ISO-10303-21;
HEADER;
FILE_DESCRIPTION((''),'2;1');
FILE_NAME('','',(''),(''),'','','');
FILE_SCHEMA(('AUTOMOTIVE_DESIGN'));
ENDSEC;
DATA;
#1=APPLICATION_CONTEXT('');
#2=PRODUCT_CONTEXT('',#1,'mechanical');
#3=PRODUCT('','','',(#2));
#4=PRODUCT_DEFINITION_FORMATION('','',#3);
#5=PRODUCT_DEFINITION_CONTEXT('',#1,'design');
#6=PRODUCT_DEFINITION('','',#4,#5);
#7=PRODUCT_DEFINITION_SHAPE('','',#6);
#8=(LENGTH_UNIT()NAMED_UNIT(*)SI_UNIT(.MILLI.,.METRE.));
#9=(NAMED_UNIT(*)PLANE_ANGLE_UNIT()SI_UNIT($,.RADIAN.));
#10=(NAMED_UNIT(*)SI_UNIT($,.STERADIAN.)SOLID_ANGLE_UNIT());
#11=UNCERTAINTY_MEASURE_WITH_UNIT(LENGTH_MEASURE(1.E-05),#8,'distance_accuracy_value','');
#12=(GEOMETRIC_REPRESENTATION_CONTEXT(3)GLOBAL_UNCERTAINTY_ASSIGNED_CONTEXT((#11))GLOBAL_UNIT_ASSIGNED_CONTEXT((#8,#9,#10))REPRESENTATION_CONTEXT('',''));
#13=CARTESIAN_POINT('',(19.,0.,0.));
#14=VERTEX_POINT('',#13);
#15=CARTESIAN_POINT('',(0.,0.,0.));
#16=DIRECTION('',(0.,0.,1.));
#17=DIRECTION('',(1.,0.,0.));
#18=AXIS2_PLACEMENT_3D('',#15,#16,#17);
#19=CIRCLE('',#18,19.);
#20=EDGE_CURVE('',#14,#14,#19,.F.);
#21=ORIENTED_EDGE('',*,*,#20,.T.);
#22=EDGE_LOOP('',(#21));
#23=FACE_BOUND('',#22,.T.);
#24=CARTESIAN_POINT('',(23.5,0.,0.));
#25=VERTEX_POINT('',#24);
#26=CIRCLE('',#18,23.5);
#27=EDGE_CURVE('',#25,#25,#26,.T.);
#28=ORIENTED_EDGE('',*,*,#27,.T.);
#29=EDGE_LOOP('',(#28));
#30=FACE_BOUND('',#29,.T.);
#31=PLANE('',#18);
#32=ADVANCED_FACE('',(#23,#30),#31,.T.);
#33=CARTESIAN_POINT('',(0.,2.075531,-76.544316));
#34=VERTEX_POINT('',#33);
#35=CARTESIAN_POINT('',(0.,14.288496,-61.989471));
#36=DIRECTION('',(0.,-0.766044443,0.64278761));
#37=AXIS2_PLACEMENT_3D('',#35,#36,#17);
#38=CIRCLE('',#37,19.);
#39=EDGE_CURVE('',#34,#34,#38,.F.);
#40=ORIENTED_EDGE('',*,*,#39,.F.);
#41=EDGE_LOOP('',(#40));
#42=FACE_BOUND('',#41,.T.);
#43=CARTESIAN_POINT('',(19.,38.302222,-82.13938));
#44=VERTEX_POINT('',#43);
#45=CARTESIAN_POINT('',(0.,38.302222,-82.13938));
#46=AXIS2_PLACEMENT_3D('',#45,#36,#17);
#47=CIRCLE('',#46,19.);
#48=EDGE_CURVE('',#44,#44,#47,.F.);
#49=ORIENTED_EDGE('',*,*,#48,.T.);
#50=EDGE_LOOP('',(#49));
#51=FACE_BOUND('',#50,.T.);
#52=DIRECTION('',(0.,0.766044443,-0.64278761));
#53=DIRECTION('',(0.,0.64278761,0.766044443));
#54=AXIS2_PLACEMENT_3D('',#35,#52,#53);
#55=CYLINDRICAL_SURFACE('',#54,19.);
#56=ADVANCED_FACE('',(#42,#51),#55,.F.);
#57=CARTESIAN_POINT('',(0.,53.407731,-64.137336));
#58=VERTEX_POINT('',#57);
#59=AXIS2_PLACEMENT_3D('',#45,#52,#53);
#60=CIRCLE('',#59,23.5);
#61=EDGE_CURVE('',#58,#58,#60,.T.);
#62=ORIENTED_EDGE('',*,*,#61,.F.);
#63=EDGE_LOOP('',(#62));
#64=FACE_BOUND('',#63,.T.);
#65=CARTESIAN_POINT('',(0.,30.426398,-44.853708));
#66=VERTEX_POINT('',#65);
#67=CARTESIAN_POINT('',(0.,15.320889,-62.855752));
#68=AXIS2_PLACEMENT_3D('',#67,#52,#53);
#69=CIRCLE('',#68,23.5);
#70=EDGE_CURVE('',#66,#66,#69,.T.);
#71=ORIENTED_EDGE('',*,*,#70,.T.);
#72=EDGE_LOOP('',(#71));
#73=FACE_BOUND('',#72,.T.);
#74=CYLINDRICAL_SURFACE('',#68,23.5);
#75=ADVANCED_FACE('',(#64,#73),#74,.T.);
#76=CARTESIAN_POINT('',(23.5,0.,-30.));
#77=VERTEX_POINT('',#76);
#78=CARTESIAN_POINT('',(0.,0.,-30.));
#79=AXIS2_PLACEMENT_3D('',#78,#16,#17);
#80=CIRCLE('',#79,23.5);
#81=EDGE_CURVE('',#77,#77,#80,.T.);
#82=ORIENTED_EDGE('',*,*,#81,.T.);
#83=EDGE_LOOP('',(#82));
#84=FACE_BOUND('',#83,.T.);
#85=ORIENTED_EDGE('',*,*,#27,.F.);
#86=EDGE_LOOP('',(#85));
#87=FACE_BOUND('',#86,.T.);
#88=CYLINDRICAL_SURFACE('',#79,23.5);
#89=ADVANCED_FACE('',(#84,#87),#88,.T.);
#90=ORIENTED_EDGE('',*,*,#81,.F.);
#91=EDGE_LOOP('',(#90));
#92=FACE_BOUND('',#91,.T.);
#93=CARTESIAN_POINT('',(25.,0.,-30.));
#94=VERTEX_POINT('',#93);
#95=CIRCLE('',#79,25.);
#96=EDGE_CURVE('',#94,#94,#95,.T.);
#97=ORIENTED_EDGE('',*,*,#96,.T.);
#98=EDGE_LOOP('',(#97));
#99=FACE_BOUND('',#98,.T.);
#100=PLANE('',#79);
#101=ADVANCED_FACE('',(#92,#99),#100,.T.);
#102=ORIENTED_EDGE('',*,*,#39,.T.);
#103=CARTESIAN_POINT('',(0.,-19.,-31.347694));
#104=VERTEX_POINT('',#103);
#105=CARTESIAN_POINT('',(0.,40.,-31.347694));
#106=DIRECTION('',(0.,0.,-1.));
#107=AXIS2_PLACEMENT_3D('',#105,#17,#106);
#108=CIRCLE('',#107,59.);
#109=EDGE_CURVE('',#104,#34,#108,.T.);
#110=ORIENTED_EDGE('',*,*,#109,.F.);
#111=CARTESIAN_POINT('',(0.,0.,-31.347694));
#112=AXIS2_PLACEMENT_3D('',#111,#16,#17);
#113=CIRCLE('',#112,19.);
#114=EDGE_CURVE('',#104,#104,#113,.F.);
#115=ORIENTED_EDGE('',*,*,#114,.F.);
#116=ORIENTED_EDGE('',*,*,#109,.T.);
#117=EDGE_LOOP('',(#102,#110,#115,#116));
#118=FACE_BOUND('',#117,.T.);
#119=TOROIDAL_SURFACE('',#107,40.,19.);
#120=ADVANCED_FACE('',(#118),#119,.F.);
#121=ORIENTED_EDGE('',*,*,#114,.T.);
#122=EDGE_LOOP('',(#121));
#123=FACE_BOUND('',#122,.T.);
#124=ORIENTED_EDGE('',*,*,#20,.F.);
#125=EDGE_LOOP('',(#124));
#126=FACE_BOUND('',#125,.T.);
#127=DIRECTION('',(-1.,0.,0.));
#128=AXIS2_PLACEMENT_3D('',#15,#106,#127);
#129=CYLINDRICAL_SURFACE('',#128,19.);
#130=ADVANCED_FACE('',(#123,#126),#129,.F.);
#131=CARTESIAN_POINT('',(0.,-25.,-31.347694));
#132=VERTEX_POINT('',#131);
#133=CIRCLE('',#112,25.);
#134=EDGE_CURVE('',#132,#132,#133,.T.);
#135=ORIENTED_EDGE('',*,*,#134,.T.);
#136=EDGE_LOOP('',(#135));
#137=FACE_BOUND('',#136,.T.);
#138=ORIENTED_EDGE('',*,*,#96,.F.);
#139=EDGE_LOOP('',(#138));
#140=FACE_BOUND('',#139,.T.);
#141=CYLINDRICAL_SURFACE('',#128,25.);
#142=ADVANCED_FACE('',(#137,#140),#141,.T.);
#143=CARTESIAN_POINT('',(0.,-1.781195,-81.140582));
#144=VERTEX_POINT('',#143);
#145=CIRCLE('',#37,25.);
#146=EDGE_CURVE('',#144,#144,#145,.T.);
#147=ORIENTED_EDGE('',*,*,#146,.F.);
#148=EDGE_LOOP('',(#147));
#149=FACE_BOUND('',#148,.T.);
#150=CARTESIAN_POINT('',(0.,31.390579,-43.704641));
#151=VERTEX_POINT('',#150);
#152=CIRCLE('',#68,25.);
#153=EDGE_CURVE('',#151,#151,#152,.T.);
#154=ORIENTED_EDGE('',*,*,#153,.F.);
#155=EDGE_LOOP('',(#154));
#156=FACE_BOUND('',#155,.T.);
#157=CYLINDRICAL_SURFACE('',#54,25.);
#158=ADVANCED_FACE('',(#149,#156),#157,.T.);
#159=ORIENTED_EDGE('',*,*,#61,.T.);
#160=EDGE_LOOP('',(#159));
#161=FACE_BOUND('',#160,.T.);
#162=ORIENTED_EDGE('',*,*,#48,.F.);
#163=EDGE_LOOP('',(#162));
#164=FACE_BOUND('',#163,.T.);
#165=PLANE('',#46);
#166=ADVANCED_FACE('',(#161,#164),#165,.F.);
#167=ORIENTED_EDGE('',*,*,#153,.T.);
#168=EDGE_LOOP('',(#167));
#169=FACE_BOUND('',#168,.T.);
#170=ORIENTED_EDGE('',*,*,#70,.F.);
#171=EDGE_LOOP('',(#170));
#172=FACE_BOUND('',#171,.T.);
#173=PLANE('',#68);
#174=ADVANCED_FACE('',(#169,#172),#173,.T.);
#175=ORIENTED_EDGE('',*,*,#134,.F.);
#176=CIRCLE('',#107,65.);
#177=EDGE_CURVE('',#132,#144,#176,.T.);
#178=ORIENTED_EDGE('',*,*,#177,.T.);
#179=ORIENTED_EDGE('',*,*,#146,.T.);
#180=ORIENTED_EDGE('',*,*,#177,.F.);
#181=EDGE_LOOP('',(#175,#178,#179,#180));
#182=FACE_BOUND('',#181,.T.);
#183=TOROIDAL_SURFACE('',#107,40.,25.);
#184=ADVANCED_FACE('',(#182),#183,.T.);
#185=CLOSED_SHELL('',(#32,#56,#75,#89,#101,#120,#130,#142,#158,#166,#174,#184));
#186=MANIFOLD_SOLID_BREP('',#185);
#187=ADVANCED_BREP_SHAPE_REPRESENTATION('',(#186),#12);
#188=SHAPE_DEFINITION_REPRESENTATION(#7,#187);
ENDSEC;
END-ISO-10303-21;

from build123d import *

# Parameters (mm, degrees)
ESQUISSE1_R             = 25
ESQUISSE1_R_2           = 19
ESQUISSE3_R             = 27.5
ESQUISSE3_R_2           = 23.5
ENL_V_MAT_EXTRU_1_DEPTH = 30
ESQUISSE4_R             = 27.5
ESQUISSE4_R_2           = 23.5
ENL_V_MAT_EXTRU_2_DEPTH = 30


with BuildPart() as part:
    # Balayage1: sweep along a path in Esquisse2
    with BuildLine(Plane(origin=(0, 0, 0), x_dir=(0, 0, -1), z_dir=(1, 0, 0))) as balayage1_path:
        Line((0, 0), (31.347693674, 0))
        ThreePointArc((31.347693674, 0), (48.252424143, 3.747688519), (61.989471399, 14.288495613))
        Line((61.989471399, 14.288495613), (82.139380484, 38.302222156))
    # Esquisse1 → Balayage1 (sweep)
    with BuildSketch(Plane.XY):
        Circle(ESQUISSE1_R)
        Circle(ESQUISSE1_R_2, mode=Mode.SUBTRACT)
    sweep(path=balayage1_path.line)

    # Esquisse3 → Enlèv. mat.-Extru.1 (cut)
    with BuildSketch(Plane.XY):
        Circle(ESQUISSE3_R)
        Circle(ESQUISSE3_R_2, mode=Mode.SUBTRACT)
    extrude(amount=-ENL_V_MAT_EXTRU_1_DEPTH, mode=Mode.SUBTRACT)

    # Esquisse4 → Enlèv. mat.-Extru.2 (cut)
    with BuildSketch(Plane(origin=(0, 62.922415981, -52.798176043), x_dir=(1, 0, 0), z_dir=(0, 0.7660444431189795, -0.6427876096865377))):
        with Locations((0, 38.302222156)):
            Circle(ESQUISSE4_R)
        with Locations(Location((0, 38.302222156, 0), (0, 0, 270))):
            Circle(ESQUISSE4_R_2, mode=Mode.SUBTRACT)
    extrude(amount=-ENL_V_MAT_EXTRU_2_DEPTH, mode=Mode.SUBTRACT)


solid = part.part
